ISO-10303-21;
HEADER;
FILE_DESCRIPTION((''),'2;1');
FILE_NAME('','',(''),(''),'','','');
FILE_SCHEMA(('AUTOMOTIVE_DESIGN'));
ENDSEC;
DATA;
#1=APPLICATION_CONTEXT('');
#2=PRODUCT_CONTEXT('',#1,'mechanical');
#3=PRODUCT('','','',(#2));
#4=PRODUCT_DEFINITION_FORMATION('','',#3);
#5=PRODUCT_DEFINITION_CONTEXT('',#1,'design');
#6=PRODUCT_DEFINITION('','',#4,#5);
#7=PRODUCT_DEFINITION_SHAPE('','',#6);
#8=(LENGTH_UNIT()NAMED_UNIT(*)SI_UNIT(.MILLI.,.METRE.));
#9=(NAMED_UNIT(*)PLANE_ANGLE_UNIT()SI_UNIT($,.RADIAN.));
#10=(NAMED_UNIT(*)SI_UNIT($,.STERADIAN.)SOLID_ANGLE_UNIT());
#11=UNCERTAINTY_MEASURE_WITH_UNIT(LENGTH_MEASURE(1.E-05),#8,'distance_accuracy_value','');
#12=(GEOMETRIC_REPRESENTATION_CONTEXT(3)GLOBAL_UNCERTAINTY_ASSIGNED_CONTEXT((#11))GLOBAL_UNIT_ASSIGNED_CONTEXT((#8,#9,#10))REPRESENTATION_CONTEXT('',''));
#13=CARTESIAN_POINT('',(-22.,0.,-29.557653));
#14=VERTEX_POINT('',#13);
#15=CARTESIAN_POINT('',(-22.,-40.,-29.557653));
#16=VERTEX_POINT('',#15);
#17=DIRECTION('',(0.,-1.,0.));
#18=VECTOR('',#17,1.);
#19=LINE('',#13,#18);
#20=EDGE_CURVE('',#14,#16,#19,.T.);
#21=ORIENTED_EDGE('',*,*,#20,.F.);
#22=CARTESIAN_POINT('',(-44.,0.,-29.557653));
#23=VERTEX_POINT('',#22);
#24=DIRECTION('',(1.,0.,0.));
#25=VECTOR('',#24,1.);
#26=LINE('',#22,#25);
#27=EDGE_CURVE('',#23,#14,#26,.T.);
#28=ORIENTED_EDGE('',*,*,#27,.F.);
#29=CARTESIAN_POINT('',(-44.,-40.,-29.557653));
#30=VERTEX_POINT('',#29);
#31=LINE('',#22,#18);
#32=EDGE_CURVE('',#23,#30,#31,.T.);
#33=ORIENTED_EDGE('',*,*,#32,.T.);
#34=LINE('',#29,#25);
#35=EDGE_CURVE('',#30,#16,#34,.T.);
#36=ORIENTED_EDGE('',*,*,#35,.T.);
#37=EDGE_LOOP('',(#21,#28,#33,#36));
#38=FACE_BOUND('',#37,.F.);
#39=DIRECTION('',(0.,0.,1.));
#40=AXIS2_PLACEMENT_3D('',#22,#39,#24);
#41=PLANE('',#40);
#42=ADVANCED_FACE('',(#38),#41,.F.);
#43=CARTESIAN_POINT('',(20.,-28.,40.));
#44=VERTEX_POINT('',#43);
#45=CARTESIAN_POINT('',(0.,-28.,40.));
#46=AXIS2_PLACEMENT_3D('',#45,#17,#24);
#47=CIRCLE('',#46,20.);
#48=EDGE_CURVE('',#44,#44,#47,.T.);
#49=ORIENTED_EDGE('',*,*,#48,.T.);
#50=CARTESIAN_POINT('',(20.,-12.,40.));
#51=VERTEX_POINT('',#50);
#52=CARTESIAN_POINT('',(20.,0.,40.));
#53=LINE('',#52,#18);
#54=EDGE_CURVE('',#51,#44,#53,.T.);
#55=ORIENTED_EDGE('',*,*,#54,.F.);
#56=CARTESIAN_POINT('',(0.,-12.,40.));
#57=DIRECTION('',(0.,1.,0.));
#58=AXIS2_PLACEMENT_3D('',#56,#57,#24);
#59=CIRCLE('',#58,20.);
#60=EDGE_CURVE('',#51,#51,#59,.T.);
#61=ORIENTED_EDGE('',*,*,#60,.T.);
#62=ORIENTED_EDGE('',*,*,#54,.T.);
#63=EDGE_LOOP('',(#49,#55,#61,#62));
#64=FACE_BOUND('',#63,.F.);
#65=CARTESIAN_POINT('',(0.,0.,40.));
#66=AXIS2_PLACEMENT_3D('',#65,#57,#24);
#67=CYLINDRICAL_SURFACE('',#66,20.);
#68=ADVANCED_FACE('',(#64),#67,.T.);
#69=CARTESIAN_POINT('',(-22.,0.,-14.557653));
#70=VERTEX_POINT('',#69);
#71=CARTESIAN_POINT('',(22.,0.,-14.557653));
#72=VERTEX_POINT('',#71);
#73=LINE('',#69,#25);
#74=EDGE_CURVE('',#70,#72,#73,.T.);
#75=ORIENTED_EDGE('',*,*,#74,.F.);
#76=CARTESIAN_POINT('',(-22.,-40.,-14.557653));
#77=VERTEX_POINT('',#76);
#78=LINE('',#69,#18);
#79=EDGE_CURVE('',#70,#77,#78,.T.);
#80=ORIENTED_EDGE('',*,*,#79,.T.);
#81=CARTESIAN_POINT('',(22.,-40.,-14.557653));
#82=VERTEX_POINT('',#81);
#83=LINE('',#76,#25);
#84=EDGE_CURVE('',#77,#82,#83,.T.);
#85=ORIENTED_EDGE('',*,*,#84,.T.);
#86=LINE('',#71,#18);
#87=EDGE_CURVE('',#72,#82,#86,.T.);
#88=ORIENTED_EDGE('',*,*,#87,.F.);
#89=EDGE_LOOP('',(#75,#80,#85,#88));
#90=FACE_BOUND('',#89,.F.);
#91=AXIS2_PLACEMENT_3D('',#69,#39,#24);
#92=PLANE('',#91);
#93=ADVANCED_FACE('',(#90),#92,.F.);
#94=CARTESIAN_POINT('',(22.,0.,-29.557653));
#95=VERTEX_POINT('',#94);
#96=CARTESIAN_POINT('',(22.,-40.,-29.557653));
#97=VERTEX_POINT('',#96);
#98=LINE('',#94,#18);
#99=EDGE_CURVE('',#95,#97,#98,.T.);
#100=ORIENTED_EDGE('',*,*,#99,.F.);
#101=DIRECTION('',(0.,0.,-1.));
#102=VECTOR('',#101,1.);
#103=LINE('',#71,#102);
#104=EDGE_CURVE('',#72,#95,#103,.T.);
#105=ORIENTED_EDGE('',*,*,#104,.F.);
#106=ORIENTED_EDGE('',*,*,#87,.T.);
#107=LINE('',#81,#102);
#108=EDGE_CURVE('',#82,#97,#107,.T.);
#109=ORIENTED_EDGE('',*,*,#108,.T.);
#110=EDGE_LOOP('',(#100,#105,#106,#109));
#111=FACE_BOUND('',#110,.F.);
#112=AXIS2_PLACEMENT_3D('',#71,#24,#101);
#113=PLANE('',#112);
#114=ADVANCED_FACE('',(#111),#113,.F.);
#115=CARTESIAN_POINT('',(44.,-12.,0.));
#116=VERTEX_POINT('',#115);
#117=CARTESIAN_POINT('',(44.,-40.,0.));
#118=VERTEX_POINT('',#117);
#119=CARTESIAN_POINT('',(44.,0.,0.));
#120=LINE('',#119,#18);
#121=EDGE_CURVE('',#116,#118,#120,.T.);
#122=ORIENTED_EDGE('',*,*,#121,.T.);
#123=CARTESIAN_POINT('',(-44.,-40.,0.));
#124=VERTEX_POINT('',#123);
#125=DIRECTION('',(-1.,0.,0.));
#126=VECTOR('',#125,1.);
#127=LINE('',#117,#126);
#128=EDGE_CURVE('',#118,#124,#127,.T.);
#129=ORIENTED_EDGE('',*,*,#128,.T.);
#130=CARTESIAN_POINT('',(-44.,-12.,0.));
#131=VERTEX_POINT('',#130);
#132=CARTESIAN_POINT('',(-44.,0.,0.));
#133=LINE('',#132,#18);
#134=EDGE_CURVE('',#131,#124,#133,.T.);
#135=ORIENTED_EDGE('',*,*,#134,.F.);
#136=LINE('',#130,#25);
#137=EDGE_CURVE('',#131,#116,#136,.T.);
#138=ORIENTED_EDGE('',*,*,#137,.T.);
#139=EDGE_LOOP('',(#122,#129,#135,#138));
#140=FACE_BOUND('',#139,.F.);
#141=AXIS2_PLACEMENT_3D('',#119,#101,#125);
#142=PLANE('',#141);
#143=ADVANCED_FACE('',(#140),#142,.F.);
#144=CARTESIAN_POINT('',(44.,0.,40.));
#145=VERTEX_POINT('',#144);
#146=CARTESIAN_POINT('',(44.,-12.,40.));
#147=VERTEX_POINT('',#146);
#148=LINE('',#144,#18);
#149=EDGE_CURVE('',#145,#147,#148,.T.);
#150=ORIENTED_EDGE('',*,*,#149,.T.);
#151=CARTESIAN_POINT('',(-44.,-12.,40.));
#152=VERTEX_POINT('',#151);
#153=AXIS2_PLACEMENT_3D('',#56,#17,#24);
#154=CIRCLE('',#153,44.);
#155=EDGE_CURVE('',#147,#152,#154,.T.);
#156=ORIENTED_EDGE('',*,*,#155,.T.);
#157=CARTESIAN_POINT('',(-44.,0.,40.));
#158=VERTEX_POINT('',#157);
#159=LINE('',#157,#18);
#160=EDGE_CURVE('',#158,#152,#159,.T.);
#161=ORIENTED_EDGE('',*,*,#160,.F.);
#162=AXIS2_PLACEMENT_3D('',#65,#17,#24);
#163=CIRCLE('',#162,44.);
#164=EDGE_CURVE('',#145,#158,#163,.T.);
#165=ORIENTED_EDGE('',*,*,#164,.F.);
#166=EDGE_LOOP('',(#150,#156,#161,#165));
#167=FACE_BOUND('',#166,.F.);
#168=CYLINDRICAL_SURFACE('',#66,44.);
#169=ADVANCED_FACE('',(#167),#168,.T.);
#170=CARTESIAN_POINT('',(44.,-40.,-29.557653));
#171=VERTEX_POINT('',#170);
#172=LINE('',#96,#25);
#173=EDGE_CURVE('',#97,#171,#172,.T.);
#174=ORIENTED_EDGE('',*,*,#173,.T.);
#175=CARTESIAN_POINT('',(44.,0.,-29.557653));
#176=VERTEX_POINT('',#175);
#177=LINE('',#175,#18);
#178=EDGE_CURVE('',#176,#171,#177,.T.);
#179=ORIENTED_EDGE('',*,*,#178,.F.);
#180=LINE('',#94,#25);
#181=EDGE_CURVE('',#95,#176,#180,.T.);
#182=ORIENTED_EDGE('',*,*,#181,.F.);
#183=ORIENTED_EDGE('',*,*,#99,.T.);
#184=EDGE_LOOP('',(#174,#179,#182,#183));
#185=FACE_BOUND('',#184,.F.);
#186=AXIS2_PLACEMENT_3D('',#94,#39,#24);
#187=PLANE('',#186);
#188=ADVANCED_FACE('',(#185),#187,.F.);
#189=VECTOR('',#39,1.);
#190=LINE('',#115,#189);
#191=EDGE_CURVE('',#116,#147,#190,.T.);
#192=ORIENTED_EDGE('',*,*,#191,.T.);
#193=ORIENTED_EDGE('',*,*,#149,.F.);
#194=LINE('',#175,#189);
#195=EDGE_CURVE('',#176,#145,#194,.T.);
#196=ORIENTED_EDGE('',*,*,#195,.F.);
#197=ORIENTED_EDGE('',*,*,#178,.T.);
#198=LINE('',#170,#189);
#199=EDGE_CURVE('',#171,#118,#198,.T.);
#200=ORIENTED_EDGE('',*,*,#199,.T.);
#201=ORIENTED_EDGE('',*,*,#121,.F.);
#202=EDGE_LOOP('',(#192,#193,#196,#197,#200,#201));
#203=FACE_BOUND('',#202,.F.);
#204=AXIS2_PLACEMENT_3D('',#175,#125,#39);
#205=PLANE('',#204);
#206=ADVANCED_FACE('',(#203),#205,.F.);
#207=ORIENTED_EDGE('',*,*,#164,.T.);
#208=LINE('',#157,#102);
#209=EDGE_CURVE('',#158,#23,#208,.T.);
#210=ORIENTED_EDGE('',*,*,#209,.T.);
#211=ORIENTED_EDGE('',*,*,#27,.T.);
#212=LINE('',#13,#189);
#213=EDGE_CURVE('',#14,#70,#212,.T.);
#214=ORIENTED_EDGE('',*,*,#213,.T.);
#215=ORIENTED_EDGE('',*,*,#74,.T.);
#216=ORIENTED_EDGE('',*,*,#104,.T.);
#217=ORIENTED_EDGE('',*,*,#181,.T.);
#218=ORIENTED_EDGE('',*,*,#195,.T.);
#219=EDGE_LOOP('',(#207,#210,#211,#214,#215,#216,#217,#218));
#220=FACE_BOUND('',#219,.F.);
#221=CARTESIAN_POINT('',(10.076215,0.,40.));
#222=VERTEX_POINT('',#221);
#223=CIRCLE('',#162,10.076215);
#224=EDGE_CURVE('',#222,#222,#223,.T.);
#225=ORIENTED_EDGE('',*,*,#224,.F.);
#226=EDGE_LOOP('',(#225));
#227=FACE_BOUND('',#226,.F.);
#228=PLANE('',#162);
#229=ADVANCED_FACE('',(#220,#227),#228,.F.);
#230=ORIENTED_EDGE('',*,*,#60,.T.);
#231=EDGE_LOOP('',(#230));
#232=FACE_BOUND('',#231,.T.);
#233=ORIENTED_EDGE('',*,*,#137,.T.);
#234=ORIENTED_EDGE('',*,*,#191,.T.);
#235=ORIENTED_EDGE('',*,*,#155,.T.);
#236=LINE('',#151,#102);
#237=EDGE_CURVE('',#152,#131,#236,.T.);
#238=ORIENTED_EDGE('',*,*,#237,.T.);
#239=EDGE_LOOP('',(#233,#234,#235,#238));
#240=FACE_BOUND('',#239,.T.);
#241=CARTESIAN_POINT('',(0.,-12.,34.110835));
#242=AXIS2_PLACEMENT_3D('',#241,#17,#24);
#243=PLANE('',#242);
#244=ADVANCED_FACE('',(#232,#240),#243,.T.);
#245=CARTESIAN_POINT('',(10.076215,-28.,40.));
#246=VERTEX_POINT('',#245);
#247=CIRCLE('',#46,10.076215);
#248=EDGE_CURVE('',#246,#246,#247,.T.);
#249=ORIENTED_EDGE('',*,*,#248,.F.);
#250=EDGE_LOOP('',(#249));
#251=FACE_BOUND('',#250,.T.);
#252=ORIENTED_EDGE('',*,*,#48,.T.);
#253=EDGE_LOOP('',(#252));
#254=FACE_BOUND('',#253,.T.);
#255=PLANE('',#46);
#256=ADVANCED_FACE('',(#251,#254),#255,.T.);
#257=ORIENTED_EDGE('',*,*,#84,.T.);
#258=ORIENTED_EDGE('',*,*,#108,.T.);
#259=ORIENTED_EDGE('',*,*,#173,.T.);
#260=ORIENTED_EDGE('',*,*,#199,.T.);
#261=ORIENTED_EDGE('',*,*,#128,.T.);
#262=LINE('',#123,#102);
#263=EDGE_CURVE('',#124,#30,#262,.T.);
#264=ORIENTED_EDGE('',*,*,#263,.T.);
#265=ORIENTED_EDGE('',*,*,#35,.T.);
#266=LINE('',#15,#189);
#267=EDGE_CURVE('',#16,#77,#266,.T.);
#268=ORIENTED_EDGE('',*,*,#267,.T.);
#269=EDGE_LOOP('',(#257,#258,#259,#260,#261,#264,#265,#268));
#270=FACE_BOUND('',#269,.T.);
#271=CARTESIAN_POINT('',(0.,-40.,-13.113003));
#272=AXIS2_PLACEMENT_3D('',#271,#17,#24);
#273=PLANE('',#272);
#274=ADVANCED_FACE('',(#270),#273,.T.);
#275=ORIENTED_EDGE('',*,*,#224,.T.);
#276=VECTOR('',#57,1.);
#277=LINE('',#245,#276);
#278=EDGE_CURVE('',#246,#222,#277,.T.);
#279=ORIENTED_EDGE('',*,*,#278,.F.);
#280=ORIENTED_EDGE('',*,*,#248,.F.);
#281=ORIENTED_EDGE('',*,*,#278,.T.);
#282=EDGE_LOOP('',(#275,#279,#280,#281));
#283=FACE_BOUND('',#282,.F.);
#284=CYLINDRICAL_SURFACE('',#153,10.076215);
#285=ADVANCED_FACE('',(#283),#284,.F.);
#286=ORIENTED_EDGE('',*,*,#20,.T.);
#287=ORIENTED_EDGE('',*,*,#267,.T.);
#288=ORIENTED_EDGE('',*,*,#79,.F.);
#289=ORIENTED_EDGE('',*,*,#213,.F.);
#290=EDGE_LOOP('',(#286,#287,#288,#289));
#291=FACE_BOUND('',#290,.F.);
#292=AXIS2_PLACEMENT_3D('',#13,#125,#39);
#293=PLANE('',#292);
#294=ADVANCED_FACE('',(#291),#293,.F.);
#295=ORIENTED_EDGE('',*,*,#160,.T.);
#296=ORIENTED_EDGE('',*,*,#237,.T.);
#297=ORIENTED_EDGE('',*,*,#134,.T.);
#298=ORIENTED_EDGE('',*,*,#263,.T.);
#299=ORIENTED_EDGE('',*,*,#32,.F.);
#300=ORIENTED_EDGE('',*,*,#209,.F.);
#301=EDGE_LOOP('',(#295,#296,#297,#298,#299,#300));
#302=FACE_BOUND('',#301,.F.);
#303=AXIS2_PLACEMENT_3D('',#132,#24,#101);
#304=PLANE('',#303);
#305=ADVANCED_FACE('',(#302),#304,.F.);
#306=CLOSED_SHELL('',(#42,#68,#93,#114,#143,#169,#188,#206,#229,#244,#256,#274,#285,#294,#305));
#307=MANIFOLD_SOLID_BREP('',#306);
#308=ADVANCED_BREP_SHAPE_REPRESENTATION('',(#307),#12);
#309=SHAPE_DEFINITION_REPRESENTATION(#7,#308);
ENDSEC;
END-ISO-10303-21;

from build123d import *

# Parameters (mm, degrees)
F1_DEPTH  = 12
F3_DEPTH  = 40
F4_R      = 20
F4_R_2    = 10.076215
F5_DEPTH  = 28
F5_FACE_R = 10.076215
F6_DEPTH  = 25


with BuildPart() as f1:
    # F0 (on Front) → F1 (new body)
    with BuildSketch(Plane.XZ):
        with BuildLine():
            Line((-44, 40), (-44, 0))
            Line((-44, 0), (44, 0))
            Line((44, 0), (44, 40))
            ThreePointArc((44, 40), (0, 84), (-44, 40))
        make_face()
    extrude(amount=F1_DEPTH)

    # F2 (on Front) → F3 (join)
    with BuildSketch(Plane.XZ):
        Polygon((44, 0), (-44, 0), (-44, -29.557653), (-22, -29.557653), (-22, -14.557653), (22, -14.557653), (22, -29.557653), (44, -29.557653), align=None)
    extrude(amount=F3_DEPTH)

    # F4 (on Front) → F5 (join)
    with BuildSketch(Plane.XZ):
        with Locations((0, 40)):
            Circle(F4_R)
        with Locations((0, 40)):
            Circle(F4_R_2, mode=Mode.SUBTRACT)
    extrude(amount=F5_DEPTH)

    # F5_face (on face) → F6 (cut)
    with BuildSketch(Plane(origin=(0, -12, 40), x_dir=(1, 0, 0), z_dir=(0, -1, 0))):
        Circle(F5_FACE_R)
    extrude(amount=-F6_DEPTH, mode=Mode.SUBTRACT)


solid = f1.part
